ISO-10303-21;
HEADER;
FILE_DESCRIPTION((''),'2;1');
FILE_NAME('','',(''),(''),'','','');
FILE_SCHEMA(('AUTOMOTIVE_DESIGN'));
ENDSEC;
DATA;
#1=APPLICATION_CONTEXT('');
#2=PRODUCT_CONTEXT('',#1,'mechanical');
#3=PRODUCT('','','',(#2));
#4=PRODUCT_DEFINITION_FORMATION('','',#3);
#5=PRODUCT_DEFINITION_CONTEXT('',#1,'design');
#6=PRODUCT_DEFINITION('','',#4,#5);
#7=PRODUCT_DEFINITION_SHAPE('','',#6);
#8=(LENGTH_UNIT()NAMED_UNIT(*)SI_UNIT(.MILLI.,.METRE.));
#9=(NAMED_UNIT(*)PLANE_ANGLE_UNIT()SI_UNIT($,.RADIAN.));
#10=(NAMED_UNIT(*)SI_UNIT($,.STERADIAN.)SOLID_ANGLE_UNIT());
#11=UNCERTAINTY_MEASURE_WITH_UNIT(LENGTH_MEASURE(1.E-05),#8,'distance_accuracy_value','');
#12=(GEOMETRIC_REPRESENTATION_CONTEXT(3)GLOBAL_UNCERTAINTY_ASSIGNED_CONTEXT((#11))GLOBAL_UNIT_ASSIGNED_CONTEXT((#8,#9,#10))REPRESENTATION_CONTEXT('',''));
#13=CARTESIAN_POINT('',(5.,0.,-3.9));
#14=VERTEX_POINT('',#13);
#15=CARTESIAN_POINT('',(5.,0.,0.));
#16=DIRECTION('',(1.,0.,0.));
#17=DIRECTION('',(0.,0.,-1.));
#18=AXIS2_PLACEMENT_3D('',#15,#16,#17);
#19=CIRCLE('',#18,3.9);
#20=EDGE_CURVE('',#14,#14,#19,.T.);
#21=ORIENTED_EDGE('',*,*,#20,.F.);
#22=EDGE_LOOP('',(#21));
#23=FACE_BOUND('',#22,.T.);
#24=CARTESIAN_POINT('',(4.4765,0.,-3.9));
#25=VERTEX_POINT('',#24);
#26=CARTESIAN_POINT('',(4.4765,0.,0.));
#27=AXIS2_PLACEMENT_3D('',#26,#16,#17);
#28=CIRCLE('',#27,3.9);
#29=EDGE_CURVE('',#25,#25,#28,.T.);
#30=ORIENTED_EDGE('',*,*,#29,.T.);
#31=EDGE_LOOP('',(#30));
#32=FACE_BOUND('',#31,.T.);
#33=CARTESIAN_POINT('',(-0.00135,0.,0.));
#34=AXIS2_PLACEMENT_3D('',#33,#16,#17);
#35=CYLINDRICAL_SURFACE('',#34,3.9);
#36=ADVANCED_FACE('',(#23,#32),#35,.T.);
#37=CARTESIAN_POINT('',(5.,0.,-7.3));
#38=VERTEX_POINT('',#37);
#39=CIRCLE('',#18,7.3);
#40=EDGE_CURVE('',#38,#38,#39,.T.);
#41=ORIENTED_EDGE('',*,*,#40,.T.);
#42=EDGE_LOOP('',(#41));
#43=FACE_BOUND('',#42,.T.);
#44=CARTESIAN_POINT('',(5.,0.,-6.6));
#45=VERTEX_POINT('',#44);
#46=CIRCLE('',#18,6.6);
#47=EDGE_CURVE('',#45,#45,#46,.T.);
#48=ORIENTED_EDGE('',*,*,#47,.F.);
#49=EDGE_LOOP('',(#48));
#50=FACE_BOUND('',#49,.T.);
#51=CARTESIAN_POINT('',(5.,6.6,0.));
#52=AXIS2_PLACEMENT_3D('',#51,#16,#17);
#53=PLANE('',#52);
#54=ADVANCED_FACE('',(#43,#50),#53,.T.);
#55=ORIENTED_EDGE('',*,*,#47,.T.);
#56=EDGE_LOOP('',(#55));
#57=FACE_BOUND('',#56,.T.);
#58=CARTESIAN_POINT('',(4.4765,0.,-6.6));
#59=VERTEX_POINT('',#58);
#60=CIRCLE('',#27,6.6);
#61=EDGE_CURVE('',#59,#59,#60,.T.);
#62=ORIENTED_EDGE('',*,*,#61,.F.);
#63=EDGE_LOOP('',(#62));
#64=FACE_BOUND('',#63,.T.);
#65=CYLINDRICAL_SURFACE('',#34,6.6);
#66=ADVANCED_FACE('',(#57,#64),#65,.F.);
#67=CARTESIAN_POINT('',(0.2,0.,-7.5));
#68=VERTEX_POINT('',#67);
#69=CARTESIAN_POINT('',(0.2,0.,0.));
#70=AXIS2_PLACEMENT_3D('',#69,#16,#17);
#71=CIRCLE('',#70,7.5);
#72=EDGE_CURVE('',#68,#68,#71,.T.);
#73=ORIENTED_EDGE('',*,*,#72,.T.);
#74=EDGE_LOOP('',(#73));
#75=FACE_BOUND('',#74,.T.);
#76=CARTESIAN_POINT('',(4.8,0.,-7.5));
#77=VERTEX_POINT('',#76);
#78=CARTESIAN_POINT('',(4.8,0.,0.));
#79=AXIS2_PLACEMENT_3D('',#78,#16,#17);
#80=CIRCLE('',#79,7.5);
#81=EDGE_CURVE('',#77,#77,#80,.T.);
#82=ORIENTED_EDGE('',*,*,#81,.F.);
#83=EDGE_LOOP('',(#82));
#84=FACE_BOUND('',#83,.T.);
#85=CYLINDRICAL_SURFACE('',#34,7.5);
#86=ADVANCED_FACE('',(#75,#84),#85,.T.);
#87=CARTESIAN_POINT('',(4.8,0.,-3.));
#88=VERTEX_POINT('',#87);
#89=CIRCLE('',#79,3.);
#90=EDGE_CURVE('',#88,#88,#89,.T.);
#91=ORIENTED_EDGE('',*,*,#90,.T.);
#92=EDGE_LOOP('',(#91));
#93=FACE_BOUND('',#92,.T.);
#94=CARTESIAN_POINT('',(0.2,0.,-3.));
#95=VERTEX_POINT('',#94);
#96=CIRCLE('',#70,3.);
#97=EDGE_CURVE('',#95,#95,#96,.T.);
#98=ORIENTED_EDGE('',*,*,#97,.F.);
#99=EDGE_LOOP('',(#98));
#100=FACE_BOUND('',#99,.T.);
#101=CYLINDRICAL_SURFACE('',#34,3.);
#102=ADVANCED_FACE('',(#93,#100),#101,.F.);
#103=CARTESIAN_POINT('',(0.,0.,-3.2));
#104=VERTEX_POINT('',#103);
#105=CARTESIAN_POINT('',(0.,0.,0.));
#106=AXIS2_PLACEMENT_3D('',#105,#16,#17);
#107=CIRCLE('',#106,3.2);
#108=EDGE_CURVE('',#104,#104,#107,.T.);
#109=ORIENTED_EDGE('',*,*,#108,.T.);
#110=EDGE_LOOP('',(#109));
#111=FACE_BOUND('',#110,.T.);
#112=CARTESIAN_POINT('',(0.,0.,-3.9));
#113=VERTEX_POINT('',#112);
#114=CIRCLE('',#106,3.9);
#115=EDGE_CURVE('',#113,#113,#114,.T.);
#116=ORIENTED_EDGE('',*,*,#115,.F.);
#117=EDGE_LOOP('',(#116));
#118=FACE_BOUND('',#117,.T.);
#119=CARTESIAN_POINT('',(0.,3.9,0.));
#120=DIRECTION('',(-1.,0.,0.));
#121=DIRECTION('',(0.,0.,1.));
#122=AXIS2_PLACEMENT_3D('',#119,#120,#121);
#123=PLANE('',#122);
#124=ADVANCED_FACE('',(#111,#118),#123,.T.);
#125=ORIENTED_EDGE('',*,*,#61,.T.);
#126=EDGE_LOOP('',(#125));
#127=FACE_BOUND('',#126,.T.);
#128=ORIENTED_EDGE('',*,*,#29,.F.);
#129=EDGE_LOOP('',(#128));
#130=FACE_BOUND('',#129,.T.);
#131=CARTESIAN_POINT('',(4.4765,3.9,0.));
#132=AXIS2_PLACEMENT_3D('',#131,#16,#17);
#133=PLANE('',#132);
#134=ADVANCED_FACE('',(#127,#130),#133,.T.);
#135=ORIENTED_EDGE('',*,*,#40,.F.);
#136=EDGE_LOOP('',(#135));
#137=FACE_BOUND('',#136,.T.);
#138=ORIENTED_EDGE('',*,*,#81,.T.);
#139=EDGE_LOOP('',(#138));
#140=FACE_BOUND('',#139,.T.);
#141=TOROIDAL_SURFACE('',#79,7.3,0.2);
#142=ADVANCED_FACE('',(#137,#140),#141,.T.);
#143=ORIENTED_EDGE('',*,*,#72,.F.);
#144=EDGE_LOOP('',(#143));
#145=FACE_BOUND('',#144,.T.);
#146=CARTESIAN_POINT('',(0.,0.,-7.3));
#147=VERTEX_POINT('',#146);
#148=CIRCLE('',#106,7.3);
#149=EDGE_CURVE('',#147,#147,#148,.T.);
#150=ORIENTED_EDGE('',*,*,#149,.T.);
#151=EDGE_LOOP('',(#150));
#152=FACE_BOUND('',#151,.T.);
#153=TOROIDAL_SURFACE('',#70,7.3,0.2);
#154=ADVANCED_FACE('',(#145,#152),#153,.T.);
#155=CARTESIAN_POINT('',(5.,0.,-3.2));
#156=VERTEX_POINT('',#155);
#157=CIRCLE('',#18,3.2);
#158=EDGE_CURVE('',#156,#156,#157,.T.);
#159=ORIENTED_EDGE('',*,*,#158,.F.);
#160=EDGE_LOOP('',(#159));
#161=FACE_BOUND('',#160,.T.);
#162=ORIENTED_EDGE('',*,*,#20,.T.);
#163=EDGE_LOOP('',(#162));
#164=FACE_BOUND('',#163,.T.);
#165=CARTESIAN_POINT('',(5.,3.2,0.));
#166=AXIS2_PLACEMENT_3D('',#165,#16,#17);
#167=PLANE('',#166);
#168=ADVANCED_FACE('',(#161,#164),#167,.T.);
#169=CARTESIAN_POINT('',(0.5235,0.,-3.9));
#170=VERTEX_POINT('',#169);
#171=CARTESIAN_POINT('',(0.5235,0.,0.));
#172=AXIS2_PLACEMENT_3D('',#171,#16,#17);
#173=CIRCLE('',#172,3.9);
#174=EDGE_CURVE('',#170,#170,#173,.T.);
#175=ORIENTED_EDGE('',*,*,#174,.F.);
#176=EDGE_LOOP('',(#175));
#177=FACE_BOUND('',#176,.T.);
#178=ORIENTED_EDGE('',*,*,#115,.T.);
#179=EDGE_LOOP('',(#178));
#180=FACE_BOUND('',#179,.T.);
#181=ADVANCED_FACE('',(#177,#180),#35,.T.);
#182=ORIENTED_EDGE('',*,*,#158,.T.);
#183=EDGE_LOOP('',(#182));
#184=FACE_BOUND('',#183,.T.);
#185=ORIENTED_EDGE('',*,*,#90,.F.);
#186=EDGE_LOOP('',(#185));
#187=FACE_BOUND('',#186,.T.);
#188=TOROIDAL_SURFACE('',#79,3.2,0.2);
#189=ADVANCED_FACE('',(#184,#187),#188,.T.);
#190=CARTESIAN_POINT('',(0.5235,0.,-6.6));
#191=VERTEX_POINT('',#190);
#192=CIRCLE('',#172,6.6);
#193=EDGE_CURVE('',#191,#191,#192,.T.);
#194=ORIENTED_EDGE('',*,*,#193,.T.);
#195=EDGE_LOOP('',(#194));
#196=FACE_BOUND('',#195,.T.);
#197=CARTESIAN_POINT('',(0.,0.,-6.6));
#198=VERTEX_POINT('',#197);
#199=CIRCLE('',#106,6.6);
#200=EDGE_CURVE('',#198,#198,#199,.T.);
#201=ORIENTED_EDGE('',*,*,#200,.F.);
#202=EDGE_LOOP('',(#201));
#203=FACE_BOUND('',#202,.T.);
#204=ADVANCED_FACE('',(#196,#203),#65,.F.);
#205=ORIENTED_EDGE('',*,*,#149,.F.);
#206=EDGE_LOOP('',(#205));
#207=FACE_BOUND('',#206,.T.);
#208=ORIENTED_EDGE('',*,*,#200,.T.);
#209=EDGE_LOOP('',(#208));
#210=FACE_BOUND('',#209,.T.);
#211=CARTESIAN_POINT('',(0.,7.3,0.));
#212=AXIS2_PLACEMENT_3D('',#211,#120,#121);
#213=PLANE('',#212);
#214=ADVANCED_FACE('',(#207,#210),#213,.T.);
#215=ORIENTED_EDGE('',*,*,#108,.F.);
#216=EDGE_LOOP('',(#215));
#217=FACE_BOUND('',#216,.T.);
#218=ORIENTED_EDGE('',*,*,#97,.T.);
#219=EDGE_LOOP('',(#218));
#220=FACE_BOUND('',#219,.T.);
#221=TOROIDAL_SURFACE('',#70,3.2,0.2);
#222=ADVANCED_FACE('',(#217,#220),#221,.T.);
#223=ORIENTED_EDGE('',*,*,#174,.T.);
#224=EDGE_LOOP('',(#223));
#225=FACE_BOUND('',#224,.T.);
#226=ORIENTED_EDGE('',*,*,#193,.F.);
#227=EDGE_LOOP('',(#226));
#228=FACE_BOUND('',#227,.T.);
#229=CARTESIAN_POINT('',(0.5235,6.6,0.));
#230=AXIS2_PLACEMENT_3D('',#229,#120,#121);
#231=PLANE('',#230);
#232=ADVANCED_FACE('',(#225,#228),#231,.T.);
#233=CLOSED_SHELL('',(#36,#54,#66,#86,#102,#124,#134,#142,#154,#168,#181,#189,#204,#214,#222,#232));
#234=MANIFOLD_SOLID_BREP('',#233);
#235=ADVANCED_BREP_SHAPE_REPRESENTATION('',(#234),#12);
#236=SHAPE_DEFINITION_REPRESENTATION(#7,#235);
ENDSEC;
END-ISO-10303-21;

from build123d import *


with BuildPart() as part:
    # Sketch1 → Revolve1 (revolve)
    with BuildSketch(Plane.XY):
        with BuildLine():
            Line((0, 3.9), (0, 3.2))
            ThreePointArc((0, 3.2), (0.058578644, 3.058578644), (0.2, 3))
            Line((0.2, 3), (4.8, 3))
            ThreePointArc((4.8, 3), (4.941421356, 3.058578644), (5, 3.2))
            Line((5, 3.2), (5, 3.9))
            Line((5, 3.9), (4.4765, 3.9))
            Line((4.4765, 3.9), (4.4765, 6.6))
            Line((4.4765, 6.6), (5, 6.6))
            Line((5, 6.6), (5, 7.3))
            ThreePointArc((5, 7.3), (4.941421356, 7.441421356), (4.8, 7.5))
            Line((4.8, 7.5), (0.2, 7.5))
            ThreePointArc((0.2, 7.5), (0.058578644, 7.441421356), (0, 7.3))
            Line((0, 7.3), (0, 6.6))
            Line((0, 6.6), (0.5235, 6.6))
            Line((0.5235, 6.6), (0.5235, 3.9))
            Line((0.5235, 3.9), (0, 3.9))
        make_face()
    revolve(axis=Axis((-0.001349798, 0, 0), (1, 0, 0)))


solid = part.part
